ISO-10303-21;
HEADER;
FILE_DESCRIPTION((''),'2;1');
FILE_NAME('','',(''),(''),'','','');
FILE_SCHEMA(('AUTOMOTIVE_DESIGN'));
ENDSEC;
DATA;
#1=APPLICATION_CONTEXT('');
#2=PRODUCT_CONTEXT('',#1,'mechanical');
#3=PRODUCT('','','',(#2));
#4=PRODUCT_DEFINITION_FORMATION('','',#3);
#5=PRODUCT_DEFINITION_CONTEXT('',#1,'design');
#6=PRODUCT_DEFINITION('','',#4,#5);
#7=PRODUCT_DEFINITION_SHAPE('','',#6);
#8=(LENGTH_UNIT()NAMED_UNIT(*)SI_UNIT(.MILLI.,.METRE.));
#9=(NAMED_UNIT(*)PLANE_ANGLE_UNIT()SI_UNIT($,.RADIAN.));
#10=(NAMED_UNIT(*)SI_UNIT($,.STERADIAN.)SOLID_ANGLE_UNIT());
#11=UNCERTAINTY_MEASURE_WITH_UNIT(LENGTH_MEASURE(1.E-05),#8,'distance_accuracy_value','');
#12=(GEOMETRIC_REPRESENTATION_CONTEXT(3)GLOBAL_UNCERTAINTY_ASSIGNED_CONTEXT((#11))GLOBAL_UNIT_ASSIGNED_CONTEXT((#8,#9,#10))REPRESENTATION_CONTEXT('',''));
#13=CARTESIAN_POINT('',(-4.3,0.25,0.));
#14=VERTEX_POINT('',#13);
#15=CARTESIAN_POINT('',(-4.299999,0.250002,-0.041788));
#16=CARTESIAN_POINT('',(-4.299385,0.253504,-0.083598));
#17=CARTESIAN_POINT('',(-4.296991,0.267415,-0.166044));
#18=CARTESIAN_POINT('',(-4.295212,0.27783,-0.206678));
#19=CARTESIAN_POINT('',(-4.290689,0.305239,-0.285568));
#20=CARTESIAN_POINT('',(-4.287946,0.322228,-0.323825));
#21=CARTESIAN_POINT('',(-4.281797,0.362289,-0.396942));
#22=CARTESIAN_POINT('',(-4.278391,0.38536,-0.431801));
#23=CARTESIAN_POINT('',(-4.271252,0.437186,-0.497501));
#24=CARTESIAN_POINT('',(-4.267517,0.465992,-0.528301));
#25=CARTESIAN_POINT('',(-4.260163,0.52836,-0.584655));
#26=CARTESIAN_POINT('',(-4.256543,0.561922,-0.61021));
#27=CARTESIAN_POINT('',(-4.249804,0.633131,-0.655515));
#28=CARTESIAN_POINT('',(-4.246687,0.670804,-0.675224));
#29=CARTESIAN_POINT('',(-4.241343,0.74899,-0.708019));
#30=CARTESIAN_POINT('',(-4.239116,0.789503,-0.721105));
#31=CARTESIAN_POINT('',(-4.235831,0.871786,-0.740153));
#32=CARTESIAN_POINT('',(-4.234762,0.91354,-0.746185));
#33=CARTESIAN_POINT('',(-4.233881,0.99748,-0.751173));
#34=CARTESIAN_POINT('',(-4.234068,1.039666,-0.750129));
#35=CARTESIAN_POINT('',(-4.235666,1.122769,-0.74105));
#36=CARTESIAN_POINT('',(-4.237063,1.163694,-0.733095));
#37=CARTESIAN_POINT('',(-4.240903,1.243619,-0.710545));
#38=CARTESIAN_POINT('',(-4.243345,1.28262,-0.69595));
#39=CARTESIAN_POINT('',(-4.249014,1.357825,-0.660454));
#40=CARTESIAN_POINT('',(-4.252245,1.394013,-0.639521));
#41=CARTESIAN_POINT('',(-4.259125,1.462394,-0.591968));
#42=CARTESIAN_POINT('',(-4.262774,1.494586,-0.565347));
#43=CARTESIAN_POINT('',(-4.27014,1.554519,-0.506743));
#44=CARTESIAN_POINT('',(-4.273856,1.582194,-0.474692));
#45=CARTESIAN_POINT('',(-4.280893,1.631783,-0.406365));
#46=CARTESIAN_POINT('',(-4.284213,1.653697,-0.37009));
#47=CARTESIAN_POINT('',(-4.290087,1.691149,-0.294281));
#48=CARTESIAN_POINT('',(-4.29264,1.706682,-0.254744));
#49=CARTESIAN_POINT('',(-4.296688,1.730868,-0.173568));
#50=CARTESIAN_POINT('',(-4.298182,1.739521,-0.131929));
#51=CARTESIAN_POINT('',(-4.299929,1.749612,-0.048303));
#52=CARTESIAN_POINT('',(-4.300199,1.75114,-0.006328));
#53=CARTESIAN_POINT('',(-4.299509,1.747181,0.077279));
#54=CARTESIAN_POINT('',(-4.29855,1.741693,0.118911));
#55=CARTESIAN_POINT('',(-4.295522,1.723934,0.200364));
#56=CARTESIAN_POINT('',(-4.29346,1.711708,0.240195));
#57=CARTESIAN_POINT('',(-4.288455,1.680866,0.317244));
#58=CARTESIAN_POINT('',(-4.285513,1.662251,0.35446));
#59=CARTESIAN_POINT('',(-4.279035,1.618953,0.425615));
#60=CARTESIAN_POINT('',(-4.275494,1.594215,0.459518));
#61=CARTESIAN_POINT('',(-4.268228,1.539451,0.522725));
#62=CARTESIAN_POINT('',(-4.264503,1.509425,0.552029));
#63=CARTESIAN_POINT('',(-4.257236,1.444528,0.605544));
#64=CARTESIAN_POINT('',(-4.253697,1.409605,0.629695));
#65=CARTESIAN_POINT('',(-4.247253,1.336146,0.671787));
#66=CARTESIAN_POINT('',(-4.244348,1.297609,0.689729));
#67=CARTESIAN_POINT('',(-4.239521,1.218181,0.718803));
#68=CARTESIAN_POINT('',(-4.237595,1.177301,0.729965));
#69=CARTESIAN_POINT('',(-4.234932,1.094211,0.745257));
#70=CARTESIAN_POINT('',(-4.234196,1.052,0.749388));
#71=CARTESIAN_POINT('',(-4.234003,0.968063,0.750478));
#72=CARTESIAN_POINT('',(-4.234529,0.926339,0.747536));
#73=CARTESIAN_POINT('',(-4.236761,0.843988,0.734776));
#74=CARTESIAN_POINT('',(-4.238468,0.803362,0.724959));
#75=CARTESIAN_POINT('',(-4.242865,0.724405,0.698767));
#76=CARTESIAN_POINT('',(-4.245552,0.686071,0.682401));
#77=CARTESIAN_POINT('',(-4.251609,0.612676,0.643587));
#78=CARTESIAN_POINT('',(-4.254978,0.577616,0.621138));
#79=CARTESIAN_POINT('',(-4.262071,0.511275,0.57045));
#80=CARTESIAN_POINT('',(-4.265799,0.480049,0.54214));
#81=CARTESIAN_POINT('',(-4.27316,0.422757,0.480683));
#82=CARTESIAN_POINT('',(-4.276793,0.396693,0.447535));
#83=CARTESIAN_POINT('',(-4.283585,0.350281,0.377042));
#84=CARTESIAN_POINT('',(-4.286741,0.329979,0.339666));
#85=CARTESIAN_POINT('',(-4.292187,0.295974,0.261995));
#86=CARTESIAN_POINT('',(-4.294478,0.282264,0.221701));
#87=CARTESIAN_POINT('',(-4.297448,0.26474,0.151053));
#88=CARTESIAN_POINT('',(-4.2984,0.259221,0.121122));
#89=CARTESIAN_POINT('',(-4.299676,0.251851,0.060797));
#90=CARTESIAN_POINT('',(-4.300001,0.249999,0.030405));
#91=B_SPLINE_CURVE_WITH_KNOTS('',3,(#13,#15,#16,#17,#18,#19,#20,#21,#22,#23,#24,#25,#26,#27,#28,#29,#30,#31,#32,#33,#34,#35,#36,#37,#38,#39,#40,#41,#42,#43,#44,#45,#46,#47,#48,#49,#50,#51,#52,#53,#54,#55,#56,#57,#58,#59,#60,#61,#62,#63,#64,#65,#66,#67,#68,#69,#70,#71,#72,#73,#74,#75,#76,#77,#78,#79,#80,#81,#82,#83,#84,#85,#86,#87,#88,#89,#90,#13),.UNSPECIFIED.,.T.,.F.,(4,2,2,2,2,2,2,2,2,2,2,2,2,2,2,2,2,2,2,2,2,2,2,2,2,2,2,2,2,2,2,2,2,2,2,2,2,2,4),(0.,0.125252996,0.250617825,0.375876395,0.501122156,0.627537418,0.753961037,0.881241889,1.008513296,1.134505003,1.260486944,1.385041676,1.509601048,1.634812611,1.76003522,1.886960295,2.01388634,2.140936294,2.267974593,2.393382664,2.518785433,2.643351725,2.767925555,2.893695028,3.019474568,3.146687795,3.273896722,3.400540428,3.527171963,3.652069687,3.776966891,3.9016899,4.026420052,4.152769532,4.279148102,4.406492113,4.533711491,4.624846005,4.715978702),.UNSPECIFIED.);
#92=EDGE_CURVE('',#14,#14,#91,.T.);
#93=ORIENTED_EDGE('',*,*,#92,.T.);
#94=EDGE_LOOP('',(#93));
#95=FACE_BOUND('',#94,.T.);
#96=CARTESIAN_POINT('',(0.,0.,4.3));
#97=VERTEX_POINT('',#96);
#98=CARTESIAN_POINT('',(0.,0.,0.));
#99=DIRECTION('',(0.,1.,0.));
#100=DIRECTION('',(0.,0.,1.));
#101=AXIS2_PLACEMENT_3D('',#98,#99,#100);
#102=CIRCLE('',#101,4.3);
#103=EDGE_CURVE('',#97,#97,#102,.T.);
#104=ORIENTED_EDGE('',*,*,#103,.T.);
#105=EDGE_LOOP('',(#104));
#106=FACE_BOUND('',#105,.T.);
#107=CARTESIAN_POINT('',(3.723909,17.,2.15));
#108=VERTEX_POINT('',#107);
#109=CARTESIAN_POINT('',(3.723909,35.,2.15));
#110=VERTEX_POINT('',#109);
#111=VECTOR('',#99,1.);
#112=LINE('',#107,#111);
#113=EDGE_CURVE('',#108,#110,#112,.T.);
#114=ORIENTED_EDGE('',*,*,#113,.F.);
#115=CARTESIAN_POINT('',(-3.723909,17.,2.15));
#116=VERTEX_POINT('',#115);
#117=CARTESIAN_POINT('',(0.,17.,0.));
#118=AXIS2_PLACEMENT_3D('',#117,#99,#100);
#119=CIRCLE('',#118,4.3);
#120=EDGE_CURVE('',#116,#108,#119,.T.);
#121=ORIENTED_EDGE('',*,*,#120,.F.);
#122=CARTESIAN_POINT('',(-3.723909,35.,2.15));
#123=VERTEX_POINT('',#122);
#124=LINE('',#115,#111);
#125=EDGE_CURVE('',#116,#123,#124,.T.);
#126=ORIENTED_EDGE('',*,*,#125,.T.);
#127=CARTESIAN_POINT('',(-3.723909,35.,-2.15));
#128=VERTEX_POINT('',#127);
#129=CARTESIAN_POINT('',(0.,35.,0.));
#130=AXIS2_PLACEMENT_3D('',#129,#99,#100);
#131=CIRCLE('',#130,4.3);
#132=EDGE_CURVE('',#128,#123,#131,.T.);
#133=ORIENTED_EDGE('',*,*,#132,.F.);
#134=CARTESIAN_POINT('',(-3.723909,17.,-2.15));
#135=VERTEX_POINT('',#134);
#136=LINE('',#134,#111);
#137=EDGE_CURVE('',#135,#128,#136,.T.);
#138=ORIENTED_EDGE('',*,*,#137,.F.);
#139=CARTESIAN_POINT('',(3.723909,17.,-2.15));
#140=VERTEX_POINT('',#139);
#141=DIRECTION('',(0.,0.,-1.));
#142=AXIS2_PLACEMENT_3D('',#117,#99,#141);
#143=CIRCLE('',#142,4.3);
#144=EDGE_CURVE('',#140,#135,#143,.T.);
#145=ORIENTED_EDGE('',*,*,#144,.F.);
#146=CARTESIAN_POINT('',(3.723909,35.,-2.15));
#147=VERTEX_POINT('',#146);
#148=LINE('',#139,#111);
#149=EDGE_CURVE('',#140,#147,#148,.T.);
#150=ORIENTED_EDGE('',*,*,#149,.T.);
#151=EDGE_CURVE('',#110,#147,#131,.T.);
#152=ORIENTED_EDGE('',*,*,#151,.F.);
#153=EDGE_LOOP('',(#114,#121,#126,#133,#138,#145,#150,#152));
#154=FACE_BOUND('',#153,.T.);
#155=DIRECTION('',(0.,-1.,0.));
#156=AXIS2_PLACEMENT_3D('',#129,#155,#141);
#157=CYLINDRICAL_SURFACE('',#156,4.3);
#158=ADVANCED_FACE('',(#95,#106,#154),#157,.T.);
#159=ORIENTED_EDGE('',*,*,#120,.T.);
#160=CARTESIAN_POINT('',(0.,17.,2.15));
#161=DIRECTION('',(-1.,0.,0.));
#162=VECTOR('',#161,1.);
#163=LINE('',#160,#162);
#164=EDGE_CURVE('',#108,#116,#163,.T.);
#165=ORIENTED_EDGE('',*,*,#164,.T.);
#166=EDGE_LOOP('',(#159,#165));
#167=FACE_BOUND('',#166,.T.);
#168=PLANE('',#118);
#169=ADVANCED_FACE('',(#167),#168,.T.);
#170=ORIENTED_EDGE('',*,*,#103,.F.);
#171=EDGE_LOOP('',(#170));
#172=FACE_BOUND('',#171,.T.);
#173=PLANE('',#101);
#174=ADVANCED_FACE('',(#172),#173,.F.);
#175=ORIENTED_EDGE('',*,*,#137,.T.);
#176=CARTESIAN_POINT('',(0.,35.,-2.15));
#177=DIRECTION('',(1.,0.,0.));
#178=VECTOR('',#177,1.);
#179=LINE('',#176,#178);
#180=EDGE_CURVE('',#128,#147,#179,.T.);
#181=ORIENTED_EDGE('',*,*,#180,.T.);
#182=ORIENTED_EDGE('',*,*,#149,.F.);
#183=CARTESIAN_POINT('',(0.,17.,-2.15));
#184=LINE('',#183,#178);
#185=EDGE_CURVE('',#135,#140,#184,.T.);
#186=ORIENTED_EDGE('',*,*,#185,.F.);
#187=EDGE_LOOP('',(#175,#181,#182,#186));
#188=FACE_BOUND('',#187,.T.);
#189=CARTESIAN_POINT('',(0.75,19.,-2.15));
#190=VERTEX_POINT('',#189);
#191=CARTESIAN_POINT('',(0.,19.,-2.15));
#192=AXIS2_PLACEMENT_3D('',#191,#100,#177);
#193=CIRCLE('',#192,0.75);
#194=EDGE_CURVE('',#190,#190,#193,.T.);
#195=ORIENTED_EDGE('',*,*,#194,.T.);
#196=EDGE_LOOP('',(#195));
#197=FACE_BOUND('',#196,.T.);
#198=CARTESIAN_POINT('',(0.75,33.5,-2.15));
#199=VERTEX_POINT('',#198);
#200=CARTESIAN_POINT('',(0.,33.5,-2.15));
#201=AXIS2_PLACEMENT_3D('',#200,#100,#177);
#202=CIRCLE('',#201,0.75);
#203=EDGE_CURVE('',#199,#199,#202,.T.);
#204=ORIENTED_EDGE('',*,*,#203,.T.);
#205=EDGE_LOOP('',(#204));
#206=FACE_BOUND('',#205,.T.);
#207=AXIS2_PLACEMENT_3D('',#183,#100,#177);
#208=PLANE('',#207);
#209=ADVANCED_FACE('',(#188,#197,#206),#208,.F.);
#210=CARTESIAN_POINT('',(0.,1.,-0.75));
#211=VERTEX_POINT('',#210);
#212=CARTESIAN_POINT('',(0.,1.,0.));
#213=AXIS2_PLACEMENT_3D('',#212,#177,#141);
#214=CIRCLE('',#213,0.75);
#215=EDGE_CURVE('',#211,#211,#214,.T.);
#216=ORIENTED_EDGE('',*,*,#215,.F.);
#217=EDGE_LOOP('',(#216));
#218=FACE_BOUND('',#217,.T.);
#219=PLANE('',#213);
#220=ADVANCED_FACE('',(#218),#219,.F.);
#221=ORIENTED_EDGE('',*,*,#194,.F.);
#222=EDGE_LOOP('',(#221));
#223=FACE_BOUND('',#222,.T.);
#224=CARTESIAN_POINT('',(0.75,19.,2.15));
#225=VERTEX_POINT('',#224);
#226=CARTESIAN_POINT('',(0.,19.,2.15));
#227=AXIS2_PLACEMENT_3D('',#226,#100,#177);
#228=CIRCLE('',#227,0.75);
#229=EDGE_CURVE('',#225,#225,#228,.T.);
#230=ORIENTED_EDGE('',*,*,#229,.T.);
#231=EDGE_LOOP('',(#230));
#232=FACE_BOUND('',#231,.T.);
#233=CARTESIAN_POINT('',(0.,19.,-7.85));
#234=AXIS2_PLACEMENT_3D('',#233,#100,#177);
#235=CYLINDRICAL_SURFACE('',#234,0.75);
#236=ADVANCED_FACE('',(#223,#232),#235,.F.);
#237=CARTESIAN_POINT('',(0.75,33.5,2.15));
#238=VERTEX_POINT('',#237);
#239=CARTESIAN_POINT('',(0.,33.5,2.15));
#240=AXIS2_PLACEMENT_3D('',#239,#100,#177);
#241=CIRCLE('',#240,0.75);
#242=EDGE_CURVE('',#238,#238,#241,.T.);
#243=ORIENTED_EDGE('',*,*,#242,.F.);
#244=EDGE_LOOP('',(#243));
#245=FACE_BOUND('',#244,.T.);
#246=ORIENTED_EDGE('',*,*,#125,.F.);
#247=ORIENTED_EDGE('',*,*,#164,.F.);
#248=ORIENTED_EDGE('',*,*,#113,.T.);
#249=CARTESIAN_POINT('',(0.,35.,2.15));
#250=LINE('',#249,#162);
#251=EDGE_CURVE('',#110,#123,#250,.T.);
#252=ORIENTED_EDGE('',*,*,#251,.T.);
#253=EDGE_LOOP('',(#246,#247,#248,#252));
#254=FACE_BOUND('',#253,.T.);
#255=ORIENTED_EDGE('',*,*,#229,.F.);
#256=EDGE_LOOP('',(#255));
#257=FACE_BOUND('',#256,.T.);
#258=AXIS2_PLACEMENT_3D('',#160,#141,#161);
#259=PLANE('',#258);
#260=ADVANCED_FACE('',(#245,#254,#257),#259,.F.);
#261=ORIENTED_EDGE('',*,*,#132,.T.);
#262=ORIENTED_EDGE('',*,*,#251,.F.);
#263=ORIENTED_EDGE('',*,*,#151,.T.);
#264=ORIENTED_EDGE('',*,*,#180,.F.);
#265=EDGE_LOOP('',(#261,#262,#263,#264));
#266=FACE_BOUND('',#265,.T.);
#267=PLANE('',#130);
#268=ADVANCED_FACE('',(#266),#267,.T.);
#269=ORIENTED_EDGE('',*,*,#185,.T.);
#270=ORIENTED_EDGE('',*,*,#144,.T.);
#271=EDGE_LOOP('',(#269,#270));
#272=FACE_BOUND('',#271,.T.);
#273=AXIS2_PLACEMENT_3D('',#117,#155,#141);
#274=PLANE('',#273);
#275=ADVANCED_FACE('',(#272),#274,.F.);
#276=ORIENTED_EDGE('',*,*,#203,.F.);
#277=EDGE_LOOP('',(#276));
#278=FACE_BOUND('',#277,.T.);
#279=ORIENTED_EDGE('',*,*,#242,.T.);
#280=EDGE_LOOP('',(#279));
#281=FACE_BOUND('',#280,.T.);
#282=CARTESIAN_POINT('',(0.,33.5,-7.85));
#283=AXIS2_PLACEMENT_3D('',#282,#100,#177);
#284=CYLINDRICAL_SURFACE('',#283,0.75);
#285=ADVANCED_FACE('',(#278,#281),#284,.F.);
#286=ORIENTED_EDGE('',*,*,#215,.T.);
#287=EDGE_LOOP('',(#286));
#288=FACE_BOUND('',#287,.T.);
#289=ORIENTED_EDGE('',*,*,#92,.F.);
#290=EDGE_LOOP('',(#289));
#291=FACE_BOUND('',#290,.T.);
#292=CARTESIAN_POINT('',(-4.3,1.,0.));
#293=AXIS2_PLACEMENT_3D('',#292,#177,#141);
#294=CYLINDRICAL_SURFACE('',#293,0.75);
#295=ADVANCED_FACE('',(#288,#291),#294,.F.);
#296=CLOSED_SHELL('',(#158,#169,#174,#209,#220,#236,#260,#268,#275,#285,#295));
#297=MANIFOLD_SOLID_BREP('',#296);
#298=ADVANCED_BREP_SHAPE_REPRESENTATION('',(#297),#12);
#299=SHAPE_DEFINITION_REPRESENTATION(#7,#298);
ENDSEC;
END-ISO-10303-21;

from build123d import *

# Parameters (mm, degrees)
SKETCH2_R           = 4.3
BOSS_EXTRUDE2_DEPTH = 35
CUT_EXTRUDE2_DEPTH  = 18
SKETCH6_R           = 0.75
CUT_EXTRUDE3_DEPTH  = 10
SKETCH8_R           = 0.75
CUT_EXTRUDE5_DEPTH  = 5.3
SKETCH9_R           = 0.75
CUT_EXTRUDE6_DEPTH  = 10


with BuildPart() as part:
    # Sketch2 → Boss-Extrude2 (new body)
    with BuildSketch(Plane(origin=(0, 0, 0), x_dir=(1, 0, 0), z_dir=(0, 1, 0))):
        Circle(SKETCH2_R)
    extrude(amount=BOSS_EXTRUDE2_DEPTH)

    # Sketch4 → Cut-Extrude2 (cut)
    with BuildSketch(Plane(origin=(0, 35, 0), x_dir=(1, 0, 0), z_dir=(0, 1, 0))):
        with BuildLine():
            Line((0, 2.15), (-3.723909236, 2.15))
            ThreePointArc((-3.723909236, 2.15), (0, 4.3), (3.723909236, 2.15))
            Line((3.723909236, 2.15), (0, 2.15))
        make_face()
        with BuildLine():
            Line((0, -2.15), (-3.723909236, -2.15))
            ThreePointArc((-3.723909236, -2.15), (0, -4.3), (3.723909236, -2.15))
            Line((3.723909236, -2.15), (0, -2.15))
        make_face()
    extrude(amount=-CUT_EXTRUDE2_DEPTH, mode=Mode.SUBTRACT)

    # Sketch6 → Cut-Extrude3 (cut)
    with BuildSketch(Plane.XY.offset(2.15)):
        with Locations((0, 19)):
            Circle(SKETCH6_R)
    extrude(amount=-CUT_EXTRUDE3_DEPTH, mode=Mode.SUBTRACT)

    # Sketch8 → Cut-Extrude5 (cut, through all)
    with BuildSketch(Plane(origin=(0, 0, 0), x_dir=(0, 0, -1), z_dir=(1, 0, 0))):
        with Locations((0, 1)):
            Circle(SKETCH8_R)
    extrude(amount=-CUT_EXTRUDE5_DEPTH, mode=Mode.SUBTRACT)

    # Sketch9 → Cut-Extrude6 (cut)
    with BuildSketch(Plane.XY.offset(2.15)):
        with Locations((0, 33.5)):
            Circle(SKETCH9_R)
    extrude(amount=-CUT_EXTRUDE6_DEPTH, mode=Mode.SUBTRACT)


solid = part.part
